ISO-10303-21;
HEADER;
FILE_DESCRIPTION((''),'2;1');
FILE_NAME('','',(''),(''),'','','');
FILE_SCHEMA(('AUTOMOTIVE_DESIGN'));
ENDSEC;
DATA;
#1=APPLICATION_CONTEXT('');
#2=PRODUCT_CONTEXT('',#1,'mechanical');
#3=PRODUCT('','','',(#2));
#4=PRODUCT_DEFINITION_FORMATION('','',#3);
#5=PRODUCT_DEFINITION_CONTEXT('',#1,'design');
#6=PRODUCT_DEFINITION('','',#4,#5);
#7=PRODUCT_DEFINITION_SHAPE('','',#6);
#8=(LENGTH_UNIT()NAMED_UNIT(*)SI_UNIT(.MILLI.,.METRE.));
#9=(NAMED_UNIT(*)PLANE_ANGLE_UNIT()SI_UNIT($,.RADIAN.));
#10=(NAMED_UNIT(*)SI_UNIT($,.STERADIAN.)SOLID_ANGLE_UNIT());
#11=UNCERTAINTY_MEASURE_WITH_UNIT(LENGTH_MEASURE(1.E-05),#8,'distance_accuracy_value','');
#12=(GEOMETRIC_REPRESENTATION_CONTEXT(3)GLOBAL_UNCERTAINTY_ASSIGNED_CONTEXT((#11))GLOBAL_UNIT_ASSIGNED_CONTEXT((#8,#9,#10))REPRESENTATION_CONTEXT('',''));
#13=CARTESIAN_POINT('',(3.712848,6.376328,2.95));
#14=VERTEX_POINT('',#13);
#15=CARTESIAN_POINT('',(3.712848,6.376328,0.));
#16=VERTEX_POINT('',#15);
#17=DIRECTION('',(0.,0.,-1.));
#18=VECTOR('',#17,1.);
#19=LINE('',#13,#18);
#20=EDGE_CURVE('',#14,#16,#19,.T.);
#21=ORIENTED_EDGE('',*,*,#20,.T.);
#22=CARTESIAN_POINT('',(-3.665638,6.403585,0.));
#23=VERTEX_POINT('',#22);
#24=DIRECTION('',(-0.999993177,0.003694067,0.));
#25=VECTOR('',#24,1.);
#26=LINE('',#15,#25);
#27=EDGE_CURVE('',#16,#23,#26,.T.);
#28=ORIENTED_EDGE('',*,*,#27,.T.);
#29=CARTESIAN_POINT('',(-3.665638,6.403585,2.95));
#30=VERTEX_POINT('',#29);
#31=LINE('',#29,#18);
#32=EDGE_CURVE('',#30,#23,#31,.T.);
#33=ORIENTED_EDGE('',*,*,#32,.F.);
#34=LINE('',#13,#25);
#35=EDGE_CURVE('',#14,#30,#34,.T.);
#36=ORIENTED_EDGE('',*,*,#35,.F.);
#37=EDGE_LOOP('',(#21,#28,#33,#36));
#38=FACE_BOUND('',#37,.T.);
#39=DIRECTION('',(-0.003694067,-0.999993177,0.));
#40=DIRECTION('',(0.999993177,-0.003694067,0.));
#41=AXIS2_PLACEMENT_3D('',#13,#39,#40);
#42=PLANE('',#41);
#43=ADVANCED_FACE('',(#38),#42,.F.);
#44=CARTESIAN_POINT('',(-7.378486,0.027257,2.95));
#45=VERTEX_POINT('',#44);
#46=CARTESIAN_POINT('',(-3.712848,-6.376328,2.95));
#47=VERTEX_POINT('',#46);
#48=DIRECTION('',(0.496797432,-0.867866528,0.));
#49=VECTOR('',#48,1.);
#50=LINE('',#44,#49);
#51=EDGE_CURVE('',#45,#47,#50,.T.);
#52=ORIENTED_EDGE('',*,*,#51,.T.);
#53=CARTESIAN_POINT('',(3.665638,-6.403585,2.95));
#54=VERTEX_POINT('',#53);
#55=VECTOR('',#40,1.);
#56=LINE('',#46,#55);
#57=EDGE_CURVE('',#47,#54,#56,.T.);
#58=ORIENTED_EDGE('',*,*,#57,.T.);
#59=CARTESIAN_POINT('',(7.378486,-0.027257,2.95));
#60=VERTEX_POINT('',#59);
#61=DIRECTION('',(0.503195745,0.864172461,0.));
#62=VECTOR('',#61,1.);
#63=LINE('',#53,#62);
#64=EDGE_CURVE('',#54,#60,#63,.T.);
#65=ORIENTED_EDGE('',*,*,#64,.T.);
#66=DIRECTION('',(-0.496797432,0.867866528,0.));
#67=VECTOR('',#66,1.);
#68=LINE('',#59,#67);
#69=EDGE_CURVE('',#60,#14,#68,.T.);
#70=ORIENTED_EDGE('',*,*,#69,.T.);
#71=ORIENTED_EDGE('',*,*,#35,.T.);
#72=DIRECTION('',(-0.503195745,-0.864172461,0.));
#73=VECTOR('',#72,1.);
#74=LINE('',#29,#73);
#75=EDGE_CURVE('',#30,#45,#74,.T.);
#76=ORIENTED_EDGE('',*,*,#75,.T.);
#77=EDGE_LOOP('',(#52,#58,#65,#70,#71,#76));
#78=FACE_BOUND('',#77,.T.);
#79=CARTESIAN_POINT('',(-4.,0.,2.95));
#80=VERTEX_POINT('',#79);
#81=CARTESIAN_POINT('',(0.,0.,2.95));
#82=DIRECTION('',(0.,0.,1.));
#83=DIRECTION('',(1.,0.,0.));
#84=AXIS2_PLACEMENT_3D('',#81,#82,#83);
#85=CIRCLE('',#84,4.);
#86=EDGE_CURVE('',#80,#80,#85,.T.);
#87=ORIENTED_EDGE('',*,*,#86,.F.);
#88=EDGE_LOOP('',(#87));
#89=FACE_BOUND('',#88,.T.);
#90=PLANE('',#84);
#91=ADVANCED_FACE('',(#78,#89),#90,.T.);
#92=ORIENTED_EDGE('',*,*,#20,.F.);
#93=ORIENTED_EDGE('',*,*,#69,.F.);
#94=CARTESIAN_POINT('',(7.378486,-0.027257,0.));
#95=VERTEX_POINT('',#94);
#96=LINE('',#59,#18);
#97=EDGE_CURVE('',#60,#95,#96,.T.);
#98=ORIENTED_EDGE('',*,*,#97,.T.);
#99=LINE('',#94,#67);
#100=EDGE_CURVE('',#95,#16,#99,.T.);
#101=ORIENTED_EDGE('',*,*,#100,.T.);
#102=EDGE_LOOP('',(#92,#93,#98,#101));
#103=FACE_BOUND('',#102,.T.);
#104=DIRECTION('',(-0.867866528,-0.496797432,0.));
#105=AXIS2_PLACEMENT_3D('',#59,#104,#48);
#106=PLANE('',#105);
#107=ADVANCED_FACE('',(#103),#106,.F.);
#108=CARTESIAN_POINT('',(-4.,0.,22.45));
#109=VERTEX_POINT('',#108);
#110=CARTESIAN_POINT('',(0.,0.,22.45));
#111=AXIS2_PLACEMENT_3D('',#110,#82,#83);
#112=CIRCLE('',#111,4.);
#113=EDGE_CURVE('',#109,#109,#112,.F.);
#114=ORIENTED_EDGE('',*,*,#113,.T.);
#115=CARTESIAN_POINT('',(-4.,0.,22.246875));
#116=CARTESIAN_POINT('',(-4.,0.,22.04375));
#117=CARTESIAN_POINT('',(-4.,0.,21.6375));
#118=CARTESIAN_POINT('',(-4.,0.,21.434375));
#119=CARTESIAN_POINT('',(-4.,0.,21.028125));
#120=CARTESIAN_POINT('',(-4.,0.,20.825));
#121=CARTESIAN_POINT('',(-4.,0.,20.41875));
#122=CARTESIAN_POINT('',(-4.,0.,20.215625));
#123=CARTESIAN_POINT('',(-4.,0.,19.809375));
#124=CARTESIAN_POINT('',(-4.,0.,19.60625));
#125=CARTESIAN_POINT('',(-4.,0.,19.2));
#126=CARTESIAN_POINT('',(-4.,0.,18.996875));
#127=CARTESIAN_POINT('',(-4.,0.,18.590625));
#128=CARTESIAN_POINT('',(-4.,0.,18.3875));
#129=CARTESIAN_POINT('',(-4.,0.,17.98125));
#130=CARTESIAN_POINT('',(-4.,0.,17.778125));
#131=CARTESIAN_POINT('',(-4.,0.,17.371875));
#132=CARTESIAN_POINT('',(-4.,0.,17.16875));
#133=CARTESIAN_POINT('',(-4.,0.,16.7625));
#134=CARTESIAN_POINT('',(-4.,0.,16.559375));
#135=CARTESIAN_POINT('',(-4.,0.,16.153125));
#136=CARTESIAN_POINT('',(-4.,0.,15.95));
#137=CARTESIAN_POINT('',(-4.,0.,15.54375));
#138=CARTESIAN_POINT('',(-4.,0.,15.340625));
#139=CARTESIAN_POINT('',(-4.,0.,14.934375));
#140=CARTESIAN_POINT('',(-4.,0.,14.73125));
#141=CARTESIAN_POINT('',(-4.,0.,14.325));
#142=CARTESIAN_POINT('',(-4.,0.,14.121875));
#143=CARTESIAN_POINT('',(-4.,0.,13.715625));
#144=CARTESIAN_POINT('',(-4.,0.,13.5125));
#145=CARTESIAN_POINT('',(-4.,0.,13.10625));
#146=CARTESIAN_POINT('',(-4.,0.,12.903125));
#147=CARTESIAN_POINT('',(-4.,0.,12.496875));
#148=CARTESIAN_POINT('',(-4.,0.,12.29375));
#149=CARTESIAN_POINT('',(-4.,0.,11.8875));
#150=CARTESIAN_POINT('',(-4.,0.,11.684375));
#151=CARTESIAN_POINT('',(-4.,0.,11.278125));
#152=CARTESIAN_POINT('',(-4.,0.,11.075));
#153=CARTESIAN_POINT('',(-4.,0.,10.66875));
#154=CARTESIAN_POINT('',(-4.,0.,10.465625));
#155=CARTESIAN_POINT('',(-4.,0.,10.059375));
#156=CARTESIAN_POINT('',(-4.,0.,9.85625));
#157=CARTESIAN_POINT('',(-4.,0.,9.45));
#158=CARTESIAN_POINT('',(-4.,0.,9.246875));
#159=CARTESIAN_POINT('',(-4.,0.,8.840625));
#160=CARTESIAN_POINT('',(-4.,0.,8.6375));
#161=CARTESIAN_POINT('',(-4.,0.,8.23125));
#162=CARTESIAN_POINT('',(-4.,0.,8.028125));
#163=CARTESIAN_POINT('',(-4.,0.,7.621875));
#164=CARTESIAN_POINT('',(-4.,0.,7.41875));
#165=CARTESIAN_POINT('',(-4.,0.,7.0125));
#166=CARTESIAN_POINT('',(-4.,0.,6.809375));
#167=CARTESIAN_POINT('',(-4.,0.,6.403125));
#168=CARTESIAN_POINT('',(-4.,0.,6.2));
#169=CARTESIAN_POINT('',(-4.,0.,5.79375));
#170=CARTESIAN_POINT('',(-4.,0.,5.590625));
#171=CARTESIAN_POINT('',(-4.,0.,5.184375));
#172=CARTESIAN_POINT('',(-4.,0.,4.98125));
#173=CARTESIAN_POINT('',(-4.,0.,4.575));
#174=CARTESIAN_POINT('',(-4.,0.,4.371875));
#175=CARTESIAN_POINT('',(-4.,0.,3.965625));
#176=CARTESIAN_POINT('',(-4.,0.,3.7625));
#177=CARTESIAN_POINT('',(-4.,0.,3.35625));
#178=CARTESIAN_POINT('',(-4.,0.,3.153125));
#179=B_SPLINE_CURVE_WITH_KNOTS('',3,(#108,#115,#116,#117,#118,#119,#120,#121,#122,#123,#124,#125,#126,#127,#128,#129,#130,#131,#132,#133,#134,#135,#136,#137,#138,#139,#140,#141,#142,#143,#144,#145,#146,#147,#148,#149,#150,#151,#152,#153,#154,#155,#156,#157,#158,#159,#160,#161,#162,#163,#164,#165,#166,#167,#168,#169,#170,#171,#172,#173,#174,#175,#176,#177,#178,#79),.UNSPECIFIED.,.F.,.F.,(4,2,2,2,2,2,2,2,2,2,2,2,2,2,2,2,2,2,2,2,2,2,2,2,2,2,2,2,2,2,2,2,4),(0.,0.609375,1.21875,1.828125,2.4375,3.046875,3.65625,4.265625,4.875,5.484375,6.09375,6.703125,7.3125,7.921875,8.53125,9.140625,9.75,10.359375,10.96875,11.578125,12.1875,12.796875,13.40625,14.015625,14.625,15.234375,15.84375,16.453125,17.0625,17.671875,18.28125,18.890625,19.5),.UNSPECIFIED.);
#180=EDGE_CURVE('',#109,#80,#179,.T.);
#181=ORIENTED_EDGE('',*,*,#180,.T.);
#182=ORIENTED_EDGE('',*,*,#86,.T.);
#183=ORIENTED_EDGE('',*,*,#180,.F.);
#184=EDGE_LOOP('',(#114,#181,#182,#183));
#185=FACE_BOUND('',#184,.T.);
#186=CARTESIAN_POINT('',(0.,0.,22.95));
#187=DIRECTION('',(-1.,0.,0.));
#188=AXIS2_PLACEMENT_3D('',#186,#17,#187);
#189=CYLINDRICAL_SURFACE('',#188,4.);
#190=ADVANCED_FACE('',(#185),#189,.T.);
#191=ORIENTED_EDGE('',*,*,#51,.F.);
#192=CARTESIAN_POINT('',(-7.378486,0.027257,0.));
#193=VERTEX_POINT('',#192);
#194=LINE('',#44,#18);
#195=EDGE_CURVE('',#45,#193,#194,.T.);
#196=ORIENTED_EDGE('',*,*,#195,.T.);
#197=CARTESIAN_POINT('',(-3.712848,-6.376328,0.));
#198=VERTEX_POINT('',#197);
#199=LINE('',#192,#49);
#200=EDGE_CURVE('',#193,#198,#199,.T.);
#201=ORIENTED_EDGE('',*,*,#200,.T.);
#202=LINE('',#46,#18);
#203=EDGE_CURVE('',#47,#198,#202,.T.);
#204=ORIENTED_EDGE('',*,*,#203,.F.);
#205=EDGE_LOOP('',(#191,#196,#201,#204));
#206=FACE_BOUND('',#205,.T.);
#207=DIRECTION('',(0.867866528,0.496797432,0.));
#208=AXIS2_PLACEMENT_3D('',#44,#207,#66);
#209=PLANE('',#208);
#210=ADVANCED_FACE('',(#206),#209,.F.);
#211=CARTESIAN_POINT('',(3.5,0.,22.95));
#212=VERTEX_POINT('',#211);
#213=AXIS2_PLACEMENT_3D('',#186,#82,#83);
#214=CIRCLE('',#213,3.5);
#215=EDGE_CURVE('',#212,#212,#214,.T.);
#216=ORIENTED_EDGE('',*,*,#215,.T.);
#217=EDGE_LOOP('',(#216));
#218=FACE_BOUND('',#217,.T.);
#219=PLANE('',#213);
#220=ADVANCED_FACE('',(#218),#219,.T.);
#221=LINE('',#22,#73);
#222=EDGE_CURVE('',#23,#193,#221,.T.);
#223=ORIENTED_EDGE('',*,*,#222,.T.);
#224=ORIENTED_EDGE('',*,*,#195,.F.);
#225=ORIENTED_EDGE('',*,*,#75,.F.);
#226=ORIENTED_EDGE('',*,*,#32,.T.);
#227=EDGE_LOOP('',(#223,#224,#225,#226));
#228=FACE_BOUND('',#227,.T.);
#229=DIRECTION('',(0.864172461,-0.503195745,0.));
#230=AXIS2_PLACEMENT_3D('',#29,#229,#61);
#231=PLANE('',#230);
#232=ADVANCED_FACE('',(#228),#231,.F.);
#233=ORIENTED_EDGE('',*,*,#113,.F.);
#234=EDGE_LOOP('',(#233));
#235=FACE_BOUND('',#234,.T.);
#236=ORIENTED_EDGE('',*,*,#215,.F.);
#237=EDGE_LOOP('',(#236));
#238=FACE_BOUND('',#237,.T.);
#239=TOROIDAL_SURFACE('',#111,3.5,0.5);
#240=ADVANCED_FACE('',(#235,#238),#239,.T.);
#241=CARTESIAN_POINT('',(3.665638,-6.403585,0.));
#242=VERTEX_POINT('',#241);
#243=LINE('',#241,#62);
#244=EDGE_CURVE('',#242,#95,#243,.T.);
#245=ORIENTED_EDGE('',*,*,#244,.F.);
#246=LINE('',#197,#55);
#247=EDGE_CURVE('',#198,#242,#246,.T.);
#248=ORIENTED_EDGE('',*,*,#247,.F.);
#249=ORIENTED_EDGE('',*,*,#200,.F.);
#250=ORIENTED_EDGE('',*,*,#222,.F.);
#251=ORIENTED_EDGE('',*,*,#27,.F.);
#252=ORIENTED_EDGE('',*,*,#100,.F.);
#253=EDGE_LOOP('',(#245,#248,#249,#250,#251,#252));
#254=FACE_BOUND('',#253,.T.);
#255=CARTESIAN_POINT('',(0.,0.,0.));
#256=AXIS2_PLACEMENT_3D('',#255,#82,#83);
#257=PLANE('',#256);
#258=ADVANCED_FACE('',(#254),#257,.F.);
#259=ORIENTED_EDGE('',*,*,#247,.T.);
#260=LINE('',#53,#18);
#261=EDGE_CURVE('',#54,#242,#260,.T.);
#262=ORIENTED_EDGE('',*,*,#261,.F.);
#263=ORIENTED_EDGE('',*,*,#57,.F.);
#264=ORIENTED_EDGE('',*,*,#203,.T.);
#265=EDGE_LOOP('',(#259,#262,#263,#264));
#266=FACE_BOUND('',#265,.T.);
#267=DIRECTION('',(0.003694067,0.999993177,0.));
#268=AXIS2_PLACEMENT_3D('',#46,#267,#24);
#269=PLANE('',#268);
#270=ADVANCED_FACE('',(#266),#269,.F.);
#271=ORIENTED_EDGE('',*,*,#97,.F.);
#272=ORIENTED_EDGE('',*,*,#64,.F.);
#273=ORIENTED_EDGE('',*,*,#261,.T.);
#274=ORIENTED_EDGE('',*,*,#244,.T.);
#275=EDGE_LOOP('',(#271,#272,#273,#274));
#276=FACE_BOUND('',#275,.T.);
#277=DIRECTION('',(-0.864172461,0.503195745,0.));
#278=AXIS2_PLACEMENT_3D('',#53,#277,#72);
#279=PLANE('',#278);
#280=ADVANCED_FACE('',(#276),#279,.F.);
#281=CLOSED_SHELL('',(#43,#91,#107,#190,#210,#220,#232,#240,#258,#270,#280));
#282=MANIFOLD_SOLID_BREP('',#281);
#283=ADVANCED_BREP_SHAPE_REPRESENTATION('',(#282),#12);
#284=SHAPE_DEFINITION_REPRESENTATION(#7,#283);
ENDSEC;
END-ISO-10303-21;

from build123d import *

# Parameters (mm, degrees)
Y_KSEKLIK_EKSTR_ZYON1_DEPTH = 2.95
IZIM3_R                     = 4
Y_KSEKLIK_EKSTR_ZYON2_DEPTH = 20
RADYUS3_R                   = 0.5


with BuildPart() as part:
    # Çizim2 → Yükseklik-Ekstrüzyon1 (new body)
    with BuildSketch(Plane.XY):
        Polygon((3.712848138, 6.376327996), (-3.665637958, 6.403584805), (-7.378486096, 0.02725681), (-3.712848138, -6.376327996), (3.665637958, -6.403584805), (7.378486096, -0.02725681), align=None)
    extrude(amount=Y_KSEKLIK_EKSTR_ZYON1_DEPTH)

    # Çizim3 → Yükseklik-Ekstrüzyon2 (add)
    with BuildSketch(Plane.XY.offset(2.95)):
        Circle(IZIM3_R)
    extrude(amount=Y_KSEKLIK_EKSTR_ZYON2_DEPTH)

    # Radyus3
    radyus3_edges = [part.edges().sort_by_distance(p)[0] for p in [
        (-4, 0, 22.95),
    ]]
    fillet(radyus3_edges, radius=RADYUS3_R)


solid = part.part
